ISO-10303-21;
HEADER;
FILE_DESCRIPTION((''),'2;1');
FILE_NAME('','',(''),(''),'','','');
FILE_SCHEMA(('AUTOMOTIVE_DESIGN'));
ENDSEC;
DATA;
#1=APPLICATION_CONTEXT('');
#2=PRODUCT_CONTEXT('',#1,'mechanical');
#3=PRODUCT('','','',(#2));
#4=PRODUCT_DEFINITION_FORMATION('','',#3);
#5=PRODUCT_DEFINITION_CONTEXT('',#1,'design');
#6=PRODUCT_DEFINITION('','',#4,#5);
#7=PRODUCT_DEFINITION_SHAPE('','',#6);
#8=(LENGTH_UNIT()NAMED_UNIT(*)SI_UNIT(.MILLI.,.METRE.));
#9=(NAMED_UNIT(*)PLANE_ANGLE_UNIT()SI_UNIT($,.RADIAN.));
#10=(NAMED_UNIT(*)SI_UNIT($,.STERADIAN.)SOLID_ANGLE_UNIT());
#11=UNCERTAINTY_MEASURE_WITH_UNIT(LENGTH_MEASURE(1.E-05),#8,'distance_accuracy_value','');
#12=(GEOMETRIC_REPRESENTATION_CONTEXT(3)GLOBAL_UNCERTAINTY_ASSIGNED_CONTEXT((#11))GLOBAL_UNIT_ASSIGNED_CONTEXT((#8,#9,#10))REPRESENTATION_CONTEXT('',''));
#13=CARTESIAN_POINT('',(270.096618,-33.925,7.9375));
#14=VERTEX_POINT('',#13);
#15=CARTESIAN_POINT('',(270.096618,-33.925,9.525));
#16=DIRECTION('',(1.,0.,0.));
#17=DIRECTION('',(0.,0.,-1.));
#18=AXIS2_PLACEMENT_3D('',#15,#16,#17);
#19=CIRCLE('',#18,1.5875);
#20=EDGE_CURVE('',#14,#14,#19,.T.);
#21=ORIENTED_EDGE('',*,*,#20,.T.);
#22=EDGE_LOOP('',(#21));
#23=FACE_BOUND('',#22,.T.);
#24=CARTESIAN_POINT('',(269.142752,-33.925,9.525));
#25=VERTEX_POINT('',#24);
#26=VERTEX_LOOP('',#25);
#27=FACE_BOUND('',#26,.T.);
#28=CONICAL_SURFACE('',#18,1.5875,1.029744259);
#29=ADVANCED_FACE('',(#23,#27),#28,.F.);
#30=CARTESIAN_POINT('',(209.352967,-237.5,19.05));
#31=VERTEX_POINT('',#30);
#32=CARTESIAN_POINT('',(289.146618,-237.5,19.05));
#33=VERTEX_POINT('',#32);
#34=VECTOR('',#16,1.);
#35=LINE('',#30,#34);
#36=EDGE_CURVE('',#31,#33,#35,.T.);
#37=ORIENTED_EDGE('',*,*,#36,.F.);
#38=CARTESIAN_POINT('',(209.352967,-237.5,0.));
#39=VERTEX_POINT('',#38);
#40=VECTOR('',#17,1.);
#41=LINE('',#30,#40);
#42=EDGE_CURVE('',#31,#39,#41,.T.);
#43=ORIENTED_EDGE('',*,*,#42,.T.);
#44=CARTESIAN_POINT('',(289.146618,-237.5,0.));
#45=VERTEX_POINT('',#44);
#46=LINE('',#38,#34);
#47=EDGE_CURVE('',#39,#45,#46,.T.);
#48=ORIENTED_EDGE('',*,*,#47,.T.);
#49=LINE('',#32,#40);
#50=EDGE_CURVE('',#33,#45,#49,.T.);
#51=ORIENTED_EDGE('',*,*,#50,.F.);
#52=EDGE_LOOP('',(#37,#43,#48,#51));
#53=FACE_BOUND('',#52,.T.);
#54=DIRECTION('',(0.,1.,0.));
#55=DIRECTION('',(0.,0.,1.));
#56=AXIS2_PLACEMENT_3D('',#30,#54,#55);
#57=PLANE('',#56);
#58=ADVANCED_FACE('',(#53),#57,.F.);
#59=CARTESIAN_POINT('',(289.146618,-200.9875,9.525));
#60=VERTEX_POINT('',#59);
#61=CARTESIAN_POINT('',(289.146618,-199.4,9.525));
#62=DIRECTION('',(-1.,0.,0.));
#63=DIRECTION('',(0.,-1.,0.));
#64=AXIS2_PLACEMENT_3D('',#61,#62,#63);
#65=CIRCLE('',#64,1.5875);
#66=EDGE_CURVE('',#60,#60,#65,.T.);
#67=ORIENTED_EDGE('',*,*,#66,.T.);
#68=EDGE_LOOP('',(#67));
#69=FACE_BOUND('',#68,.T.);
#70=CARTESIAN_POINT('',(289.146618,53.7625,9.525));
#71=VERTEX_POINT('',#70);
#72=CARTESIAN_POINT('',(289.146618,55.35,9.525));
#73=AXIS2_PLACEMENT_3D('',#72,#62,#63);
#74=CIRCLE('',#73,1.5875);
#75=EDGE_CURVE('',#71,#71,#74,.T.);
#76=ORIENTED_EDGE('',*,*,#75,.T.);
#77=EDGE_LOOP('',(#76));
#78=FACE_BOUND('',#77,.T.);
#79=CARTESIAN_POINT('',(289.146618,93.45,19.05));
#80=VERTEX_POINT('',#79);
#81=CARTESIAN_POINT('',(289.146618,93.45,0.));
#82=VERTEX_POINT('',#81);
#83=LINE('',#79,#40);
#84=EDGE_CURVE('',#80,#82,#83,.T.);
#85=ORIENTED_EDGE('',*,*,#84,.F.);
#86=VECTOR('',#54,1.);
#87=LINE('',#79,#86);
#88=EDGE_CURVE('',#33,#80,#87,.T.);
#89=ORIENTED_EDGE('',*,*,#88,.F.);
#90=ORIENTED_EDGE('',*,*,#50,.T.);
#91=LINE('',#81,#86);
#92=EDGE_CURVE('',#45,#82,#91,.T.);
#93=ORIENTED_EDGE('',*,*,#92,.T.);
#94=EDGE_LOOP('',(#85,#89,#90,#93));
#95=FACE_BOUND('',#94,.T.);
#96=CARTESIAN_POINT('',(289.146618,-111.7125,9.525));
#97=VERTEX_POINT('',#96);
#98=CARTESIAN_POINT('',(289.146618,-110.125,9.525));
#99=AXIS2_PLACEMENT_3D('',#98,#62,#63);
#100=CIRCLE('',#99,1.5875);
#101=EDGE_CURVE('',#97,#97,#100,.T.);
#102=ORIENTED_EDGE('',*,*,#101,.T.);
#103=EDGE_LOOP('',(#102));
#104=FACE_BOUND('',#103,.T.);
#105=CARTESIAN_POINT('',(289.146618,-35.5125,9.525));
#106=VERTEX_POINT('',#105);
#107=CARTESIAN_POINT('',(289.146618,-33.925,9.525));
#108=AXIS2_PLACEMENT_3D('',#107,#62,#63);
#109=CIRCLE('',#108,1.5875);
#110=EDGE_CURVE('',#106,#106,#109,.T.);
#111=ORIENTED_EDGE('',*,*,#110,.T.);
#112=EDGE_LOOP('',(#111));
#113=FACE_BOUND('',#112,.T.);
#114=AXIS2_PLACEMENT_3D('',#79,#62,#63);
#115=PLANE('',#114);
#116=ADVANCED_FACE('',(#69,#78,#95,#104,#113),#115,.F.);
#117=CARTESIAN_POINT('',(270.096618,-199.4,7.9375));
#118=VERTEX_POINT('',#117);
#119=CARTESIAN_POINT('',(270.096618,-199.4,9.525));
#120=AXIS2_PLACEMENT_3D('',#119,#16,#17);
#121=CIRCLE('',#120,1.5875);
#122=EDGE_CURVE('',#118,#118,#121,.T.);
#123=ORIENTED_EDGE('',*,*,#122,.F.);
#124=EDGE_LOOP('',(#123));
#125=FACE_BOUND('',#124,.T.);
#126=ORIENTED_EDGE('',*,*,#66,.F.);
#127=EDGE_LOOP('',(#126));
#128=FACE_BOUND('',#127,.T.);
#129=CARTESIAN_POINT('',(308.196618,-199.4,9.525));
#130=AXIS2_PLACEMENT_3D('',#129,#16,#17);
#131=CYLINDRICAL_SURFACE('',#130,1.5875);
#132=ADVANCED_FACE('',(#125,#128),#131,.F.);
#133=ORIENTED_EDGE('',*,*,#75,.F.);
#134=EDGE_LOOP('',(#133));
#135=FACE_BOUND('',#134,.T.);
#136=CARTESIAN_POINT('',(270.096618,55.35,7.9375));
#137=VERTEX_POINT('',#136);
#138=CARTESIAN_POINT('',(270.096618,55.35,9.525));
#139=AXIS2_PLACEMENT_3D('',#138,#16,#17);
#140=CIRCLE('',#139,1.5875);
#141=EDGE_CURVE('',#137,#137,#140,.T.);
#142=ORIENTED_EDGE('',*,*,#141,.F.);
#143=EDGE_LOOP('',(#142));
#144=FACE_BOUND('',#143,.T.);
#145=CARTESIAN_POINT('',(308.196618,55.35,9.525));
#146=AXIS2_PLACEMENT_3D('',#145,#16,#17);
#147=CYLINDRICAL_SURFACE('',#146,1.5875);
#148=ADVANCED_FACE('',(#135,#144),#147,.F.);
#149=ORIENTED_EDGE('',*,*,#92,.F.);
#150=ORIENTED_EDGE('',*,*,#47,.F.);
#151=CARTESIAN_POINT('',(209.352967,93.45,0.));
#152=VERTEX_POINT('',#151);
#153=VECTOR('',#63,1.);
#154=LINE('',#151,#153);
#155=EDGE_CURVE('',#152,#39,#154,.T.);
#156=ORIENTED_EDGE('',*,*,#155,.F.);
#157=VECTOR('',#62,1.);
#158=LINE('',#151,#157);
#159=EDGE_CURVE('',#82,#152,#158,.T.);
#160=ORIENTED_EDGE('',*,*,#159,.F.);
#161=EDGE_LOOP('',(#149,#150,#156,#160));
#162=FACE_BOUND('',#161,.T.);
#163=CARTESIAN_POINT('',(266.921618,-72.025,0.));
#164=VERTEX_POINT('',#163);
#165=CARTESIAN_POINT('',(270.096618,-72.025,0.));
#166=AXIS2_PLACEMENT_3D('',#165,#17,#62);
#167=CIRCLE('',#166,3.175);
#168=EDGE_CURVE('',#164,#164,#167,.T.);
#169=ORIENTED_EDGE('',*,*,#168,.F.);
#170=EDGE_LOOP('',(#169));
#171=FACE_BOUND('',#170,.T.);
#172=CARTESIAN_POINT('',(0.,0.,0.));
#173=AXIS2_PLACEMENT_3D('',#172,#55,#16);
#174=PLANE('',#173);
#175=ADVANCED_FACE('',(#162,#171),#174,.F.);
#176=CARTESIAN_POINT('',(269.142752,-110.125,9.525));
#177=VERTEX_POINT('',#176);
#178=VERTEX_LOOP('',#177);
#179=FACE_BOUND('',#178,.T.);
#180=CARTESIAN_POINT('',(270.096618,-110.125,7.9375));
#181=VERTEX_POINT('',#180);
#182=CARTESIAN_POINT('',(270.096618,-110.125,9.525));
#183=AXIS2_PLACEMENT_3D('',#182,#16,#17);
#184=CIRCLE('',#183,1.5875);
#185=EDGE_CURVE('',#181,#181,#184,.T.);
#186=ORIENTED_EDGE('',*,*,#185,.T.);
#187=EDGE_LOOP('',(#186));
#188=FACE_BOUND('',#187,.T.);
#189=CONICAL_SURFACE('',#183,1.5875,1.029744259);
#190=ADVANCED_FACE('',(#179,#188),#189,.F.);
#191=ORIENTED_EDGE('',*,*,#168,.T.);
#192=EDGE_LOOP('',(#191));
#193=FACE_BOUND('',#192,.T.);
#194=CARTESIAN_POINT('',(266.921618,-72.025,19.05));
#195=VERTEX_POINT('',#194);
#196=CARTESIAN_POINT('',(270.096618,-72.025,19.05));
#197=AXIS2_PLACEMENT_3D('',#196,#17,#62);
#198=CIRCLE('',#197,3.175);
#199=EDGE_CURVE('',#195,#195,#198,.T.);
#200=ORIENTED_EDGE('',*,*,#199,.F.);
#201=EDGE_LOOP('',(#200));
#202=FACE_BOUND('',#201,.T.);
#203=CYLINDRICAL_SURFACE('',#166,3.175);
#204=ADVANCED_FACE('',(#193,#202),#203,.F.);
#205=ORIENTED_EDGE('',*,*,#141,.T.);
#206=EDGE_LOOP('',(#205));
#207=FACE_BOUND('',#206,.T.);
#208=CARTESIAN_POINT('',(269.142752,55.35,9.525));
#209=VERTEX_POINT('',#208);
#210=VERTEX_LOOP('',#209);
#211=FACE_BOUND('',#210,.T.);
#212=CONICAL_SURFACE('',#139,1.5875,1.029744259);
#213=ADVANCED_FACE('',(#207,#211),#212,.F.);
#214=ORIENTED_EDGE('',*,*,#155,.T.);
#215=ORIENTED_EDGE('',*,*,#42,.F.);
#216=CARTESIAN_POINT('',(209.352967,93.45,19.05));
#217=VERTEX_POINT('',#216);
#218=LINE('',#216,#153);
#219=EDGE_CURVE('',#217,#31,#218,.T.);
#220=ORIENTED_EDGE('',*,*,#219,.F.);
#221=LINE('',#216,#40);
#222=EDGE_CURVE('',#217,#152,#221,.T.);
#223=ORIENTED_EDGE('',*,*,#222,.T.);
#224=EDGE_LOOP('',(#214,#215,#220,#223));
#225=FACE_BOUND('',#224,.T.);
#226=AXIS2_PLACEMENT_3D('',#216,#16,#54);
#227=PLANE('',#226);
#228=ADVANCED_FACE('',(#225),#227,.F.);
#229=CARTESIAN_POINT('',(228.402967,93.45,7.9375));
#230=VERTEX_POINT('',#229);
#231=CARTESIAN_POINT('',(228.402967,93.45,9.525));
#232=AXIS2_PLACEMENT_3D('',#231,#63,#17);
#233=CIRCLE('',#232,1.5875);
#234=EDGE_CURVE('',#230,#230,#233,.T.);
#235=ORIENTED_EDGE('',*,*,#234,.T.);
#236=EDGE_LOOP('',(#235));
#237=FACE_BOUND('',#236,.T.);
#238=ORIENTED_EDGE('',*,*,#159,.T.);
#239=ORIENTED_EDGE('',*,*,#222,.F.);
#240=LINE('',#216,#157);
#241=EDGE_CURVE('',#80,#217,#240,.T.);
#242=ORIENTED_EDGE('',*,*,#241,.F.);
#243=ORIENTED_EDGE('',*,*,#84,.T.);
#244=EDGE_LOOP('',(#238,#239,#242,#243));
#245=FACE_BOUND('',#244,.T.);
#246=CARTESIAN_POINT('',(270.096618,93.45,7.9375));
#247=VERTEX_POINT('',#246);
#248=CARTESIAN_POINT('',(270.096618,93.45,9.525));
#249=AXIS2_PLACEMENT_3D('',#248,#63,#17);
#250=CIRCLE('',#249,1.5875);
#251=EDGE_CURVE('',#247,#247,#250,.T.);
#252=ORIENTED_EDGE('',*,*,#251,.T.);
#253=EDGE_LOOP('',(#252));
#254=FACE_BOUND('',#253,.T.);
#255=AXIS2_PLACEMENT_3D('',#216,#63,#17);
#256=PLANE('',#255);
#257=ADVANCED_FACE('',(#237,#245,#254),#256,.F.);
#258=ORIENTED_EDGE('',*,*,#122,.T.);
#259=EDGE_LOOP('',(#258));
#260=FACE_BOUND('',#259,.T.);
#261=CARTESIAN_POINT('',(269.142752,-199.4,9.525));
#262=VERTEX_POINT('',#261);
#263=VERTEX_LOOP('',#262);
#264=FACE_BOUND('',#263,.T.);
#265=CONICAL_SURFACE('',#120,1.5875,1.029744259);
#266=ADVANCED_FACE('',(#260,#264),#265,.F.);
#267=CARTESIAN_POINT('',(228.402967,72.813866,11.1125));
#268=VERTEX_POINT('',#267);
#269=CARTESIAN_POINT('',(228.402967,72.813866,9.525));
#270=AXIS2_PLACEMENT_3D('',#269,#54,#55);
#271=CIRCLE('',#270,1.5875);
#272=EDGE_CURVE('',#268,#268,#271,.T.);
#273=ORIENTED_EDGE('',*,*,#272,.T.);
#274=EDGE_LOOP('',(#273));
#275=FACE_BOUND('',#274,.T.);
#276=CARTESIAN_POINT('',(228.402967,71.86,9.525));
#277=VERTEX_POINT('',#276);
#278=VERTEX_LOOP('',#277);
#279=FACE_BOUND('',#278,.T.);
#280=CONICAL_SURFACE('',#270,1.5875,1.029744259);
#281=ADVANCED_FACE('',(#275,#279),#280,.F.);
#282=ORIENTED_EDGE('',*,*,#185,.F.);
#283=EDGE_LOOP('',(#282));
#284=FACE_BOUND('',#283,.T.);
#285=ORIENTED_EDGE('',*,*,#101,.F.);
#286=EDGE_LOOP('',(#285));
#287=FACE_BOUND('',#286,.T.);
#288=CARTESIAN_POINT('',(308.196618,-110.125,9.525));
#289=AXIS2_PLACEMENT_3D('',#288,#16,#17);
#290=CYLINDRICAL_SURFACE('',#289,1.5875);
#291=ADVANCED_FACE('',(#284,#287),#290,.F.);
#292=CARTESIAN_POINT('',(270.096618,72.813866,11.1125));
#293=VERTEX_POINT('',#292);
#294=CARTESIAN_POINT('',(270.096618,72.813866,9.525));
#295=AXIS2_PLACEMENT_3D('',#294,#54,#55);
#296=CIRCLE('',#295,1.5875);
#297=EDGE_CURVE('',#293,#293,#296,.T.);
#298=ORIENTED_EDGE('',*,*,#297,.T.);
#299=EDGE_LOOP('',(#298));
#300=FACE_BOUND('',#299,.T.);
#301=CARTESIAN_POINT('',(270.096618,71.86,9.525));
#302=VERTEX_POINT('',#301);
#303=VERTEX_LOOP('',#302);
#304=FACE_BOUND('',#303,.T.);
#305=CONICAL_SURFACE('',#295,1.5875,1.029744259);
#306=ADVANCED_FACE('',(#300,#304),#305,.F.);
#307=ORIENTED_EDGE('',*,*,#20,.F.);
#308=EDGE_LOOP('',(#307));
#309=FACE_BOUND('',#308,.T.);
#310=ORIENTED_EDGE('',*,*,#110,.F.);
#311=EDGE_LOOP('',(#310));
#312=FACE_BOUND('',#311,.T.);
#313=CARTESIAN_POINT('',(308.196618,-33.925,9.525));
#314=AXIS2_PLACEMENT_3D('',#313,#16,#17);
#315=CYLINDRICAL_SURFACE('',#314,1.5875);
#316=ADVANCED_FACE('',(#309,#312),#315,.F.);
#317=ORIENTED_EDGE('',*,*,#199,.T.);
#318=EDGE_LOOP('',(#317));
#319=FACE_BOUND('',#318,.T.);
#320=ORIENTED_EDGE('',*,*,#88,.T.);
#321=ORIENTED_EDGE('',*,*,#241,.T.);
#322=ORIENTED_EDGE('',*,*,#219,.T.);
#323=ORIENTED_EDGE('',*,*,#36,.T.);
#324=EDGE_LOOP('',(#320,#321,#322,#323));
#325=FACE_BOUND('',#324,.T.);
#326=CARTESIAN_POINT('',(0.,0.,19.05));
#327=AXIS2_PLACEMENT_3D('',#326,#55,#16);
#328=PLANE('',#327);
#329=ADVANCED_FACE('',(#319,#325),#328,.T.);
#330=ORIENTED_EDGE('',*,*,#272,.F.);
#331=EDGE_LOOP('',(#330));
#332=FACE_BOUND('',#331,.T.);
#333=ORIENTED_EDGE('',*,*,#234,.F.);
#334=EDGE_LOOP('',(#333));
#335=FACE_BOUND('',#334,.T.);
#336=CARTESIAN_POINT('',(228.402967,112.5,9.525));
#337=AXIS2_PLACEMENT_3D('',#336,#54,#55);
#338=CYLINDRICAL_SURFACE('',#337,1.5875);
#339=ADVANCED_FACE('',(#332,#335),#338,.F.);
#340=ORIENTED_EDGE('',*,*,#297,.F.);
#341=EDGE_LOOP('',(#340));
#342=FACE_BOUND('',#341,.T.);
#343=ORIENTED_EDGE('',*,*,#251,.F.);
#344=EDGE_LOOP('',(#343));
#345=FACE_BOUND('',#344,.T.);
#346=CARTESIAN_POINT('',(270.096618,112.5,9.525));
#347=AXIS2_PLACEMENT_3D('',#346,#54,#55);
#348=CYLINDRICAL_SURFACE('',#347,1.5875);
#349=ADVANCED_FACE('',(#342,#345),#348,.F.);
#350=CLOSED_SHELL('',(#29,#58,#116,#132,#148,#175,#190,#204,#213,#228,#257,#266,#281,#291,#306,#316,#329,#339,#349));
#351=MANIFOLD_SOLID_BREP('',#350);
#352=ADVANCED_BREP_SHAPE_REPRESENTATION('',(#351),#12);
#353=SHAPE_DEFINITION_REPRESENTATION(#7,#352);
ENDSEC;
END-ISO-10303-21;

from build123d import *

# Parameters (mm, degrees)
SKETCH1_W                   = 79.793650928
SKETCH1_H                   = 330.949999988
BOSS_EXTRUDE1_DEPTH         = 19.05
F_1_4_0_25_DIAMETER_HOLE1_D = 6.35
HOLE6_D                     = 3.175
HOLE6_DEPTH                 = 38.1
HOLE6_CSINK_D               = 10.16
HOLE6_CSINK_ANGLE           = 82
HOLE6_TIP                   = 0.953866233
HOLE7_D                     = 3.175
HOLE7_DEPTH                 = 39.686133767
HOLE7_CSINK_D               = 10.16
HOLE7_CSINK_ANGLE           = 82
HOLE7_TIP                   = 0.953866233


with BuildPart() as part:
    # Sketch1 → Boss-Extrude1 (new body)
    with BuildSketch(Plane.XY):
        with Locations((249.249792645, -72.024999997)):
            Rectangle(SKETCH1_W, SKETCH1_H)
    extrude(amount=BOSS_EXTRUDE1_DEPTH)

    # 1/4 (0.25) Diameter Hole1 (through all)
    with Locations(Plane(origin=(0, 0, 0), x_dir=(-1, 0, 0), z_dir=(0, 0, -1))):
        with Locations((-270.096618017, -72.024999997)):
            Hole(F_1_4_0_25_DIAMETER_HOLE1_D / 2)

    # Hole6
    with Locations(Plane(origin=(308.196618109, -72.024999997, 609.909770337), x_dir=(0, -1, 0), z_dir=(1, 0, 0))):
        with Locations((81.549999997, 717.438633361), (-81.549999997, 717.438633361), (-81.549999997, 641.659770441), (-81.549999997, 793.217496281), (-174.999999994, 705.391438111), (-174.999999994, 329.112770337), (-174.999999994, 579.965215507), (-174.999999994, 454.538992941), (-174.999999994, 517.252104224), (-127.374999994, 600.384770441), (-38.1, 600.384770441), (-127.374999994, 376.737770337), (-38.1, 376.737770337), (38.1, 376.737770337), (127.374999994, 376.737770337), (38.1, 600.384770441), (127.374999994, 600.384770441), (174.999999994, 517.252104224), (174.999999994, 454.538992941), (174.999999994, 579.965215507), (174.999999994, 329.112770337), (174.999999994, 705.391438111), (81.549999997, 793.217496281), (81.549999997, 641.659770441)):
            CounterSinkHole(HOLE6_D / 2, HOLE6_CSINK_D / 2, depth=HOLE6_DEPTH, counter_sink_angle=HOLE6_CSINK_ANGLE)
            with Locations((0, 0, -(HOLE6_DEPTH + HOLE6_TIP / 2))):  # 118° drill point
                Cone(0, HOLE6_D / 2, HOLE6_TIP, mode=Mode.SUBTRACT)

    # Hole7
    with Locations(Plane(origin=(-181.039434513, 112.499999997, 386.262770337), x_dir=(0.9271838545667855, -1.3196841813264566e-15, -0.37460659341591657), z_dir=(0, 1, 0))):
        with Locations((546.331381686, 147.924742102), (34.861843518, 129.510688231), (398.711186007, 72.427013068), (25.409302346, 25.4), (393.709302346, 25.4), (604.536477781, 403.287242286), (643.194157759, 387.668525745), (520.756836983, 195.925354764), (559.414516961, 180.306638222), (507.673701708, 163.543458643)):
            CounterSinkHole(HOLE7_D / 2, HOLE7_CSINK_D / 2, depth=HOLE7_DEPTH, counter_sink_angle=HOLE7_CSINK_ANGLE)
            with Locations((0, 0, -(HOLE7_DEPTH + HOLE7_TIP / 2))):  # 118° drill point
                Cone(0, HOLE7_D / 2, HOLE7_TIP, mode=Mode.SUBTRACT)


solid = part.part
